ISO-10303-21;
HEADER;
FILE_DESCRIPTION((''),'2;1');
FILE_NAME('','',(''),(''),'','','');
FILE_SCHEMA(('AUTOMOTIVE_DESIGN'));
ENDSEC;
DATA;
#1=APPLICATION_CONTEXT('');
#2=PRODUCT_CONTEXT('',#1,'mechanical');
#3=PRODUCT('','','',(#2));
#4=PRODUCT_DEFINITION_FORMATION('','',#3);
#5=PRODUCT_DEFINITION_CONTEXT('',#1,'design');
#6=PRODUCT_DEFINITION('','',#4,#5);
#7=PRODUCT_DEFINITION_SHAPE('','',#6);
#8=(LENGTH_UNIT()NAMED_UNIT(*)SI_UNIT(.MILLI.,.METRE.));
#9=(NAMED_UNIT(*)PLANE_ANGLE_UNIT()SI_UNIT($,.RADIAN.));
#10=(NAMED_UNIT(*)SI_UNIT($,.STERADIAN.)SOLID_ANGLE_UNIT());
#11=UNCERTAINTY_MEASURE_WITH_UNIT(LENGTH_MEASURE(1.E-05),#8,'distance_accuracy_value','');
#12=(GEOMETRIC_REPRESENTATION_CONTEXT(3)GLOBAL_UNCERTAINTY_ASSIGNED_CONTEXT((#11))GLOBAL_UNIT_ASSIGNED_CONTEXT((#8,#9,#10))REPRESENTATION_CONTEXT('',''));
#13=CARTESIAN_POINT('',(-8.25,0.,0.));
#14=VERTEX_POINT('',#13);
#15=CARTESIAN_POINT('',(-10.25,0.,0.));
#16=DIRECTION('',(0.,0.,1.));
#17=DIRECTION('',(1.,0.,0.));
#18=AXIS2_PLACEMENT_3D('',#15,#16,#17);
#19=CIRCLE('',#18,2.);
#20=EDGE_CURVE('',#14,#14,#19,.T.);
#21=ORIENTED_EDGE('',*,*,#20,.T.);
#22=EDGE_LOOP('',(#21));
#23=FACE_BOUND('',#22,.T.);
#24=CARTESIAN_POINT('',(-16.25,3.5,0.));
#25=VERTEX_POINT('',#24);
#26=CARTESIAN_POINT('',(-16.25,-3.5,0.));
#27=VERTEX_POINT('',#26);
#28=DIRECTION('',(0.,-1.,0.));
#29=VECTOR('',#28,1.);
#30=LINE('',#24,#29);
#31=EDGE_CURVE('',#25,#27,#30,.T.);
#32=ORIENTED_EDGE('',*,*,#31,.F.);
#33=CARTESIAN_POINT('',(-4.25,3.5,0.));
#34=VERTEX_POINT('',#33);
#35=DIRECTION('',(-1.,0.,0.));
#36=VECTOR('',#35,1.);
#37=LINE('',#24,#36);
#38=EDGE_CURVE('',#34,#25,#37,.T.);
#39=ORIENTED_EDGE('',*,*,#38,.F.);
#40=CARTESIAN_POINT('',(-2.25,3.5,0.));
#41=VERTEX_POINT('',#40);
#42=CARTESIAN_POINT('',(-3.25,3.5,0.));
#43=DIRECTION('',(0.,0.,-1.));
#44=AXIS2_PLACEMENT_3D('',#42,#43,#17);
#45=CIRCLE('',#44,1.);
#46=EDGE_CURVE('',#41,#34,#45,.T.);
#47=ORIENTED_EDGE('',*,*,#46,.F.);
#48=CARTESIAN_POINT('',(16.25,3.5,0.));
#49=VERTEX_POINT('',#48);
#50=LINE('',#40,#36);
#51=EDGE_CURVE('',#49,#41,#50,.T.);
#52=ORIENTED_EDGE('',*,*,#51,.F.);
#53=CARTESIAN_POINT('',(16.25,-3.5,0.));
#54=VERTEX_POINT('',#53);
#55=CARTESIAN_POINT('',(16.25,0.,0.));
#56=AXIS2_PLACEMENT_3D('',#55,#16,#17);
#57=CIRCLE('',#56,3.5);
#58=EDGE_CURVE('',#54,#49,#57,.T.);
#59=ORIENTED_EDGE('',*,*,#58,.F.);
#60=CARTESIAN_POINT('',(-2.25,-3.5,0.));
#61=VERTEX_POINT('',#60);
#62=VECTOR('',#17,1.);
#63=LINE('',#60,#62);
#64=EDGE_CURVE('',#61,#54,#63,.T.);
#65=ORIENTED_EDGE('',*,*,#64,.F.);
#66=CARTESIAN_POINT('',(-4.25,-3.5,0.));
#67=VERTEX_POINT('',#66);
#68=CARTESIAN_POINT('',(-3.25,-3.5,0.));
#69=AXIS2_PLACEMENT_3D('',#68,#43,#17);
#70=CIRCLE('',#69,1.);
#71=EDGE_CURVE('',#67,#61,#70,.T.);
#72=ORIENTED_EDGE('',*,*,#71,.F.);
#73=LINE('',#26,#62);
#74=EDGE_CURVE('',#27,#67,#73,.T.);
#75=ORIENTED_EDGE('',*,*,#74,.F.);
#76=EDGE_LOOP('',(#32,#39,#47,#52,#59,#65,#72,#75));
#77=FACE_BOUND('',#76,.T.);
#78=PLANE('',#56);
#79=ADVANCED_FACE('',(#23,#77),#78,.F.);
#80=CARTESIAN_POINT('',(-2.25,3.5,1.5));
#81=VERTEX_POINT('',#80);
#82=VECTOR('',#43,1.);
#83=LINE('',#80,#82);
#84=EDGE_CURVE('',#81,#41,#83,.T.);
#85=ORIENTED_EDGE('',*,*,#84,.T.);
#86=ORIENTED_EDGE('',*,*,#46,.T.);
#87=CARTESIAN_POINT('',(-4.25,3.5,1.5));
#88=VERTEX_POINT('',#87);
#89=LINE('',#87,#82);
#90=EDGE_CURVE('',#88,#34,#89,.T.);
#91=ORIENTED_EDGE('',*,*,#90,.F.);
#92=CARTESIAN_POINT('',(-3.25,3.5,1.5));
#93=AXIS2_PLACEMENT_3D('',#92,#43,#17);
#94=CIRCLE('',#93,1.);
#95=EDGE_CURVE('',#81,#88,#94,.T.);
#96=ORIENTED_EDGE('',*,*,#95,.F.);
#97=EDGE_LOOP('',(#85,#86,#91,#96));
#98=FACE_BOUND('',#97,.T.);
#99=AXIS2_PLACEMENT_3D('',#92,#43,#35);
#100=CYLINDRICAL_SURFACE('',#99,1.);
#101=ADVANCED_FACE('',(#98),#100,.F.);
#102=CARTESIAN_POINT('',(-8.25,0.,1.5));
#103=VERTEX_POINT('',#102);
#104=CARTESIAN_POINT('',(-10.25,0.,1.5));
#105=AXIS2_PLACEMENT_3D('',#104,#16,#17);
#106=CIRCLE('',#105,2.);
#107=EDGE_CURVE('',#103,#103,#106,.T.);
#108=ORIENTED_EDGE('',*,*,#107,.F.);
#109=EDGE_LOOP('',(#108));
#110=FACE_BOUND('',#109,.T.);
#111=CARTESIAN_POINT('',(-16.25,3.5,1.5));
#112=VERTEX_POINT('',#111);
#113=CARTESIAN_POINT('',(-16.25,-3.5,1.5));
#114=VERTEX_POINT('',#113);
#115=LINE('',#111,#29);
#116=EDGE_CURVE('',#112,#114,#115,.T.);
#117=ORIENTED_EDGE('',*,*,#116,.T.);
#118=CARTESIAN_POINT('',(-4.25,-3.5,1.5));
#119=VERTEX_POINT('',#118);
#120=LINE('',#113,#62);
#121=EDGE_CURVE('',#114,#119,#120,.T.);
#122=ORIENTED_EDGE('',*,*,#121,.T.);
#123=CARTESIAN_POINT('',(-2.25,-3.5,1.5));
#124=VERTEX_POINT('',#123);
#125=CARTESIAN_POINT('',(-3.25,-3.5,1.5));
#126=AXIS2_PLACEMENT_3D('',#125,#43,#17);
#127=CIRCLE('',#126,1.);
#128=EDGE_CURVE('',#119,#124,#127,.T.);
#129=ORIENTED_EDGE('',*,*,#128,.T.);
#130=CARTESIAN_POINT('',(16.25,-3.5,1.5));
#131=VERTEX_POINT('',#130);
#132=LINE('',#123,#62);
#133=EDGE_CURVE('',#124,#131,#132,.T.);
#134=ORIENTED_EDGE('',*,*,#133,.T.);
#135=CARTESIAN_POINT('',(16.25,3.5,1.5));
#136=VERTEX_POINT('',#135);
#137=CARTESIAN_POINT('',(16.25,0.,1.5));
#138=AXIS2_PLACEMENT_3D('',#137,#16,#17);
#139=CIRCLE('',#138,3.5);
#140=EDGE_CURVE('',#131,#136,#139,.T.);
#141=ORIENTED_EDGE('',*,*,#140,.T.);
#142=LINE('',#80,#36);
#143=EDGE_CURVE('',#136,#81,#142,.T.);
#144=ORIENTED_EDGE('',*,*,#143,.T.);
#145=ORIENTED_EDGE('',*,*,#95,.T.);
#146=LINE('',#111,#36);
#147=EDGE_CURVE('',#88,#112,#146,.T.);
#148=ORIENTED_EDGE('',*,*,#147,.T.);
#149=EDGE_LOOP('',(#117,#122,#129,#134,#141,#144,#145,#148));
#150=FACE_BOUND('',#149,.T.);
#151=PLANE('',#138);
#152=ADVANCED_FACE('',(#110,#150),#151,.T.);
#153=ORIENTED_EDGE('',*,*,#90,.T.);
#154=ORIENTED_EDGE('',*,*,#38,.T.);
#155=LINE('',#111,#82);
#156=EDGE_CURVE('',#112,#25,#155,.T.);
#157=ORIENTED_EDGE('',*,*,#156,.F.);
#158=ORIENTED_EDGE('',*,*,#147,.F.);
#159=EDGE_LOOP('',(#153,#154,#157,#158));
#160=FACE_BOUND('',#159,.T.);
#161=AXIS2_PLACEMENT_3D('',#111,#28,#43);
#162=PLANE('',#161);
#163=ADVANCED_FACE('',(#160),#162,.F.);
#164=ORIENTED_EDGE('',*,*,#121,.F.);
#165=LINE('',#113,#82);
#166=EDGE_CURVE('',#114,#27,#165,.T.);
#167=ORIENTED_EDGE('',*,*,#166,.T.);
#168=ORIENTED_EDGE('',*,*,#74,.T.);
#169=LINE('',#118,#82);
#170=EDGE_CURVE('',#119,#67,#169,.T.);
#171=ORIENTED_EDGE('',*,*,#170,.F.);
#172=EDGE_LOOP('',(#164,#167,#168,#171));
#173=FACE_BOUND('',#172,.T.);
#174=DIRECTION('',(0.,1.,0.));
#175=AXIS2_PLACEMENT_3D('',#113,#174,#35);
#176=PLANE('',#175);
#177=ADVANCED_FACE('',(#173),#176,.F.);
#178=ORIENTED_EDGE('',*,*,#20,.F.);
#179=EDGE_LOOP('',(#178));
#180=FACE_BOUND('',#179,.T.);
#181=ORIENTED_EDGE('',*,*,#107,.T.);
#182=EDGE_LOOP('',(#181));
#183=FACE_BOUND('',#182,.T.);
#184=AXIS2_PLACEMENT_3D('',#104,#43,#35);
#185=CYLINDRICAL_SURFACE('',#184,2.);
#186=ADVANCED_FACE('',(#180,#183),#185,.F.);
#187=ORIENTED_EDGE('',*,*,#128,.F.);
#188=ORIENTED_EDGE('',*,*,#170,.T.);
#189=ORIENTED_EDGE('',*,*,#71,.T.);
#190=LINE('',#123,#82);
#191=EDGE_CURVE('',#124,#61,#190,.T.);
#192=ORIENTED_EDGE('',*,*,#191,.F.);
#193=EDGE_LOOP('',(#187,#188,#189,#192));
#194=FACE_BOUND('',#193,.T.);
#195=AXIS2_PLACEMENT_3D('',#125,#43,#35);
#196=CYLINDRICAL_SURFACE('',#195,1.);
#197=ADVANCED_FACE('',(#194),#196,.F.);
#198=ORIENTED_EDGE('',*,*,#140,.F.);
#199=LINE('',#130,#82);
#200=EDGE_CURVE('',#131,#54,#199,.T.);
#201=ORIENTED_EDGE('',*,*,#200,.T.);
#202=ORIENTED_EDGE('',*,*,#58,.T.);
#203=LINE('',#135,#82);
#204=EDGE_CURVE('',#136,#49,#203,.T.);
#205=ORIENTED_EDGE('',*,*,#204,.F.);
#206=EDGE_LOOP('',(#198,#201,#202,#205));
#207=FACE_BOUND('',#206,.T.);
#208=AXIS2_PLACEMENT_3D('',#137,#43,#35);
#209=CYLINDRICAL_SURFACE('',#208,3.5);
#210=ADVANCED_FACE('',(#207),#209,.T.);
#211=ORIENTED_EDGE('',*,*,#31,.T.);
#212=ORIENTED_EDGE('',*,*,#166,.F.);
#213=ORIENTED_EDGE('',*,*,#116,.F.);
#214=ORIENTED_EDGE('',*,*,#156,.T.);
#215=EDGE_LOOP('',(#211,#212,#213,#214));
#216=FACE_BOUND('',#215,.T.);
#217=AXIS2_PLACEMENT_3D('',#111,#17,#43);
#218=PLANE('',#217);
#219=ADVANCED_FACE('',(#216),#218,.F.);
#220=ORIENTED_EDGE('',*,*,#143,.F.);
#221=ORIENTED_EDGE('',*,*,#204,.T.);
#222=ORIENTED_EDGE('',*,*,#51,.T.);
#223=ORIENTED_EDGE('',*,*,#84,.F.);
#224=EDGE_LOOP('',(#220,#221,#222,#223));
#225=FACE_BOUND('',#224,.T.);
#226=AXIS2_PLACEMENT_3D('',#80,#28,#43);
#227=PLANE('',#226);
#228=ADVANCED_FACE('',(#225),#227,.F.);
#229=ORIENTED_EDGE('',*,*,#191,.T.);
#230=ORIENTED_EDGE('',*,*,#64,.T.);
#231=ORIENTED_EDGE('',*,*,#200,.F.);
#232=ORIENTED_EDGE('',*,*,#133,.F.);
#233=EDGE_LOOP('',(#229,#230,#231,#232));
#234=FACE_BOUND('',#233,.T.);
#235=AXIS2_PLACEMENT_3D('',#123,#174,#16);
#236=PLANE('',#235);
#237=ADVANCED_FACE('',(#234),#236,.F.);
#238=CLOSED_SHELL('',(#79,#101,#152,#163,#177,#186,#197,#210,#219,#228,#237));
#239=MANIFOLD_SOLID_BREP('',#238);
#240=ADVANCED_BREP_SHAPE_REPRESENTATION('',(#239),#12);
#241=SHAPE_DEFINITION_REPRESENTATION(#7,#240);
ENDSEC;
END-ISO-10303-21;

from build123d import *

# Parameters (mm, degrees)
SKETCH1_R           = 2
BOSS_EXTRUDE1_DEPTH = 1.5


with BuildPart() as part:
    # Sketch1 → Boss-Extrude1 (new body)
    with BuildSketch(Plane.XY):
        with BuildLine():
            Line((-16.25, 3.5), (-4.25, 3.5))
            ThreePointArc((-4.25, 3.5), (-3.25, 2.5), (-2.25, 3.5))
            Line((-2.25, 3.5), (16.25, 3.5))
            ThreePointArc((16.25, 3.5), (19.75, 0), (16.25, -3.5))
            Line((16.25, -3.5), (-2.25, -3.5))
            ThreePointArc((-2.25, -3.5), (-3.25, -2.5), (-4.25, -3.5))
            Line((-4.25, -3.5), (-16.25, -3.5))
            Line((-16.25, -3.5), (-16.25, 3.5))
        make_face()
        with Locations((-10.25, 0)):
            Circle(SKETCH1_R, mode=Mode.SUBTRACT)
    extrude(amount=BOSS_EXTRUDE1_DEPTH)


solid = part.part
